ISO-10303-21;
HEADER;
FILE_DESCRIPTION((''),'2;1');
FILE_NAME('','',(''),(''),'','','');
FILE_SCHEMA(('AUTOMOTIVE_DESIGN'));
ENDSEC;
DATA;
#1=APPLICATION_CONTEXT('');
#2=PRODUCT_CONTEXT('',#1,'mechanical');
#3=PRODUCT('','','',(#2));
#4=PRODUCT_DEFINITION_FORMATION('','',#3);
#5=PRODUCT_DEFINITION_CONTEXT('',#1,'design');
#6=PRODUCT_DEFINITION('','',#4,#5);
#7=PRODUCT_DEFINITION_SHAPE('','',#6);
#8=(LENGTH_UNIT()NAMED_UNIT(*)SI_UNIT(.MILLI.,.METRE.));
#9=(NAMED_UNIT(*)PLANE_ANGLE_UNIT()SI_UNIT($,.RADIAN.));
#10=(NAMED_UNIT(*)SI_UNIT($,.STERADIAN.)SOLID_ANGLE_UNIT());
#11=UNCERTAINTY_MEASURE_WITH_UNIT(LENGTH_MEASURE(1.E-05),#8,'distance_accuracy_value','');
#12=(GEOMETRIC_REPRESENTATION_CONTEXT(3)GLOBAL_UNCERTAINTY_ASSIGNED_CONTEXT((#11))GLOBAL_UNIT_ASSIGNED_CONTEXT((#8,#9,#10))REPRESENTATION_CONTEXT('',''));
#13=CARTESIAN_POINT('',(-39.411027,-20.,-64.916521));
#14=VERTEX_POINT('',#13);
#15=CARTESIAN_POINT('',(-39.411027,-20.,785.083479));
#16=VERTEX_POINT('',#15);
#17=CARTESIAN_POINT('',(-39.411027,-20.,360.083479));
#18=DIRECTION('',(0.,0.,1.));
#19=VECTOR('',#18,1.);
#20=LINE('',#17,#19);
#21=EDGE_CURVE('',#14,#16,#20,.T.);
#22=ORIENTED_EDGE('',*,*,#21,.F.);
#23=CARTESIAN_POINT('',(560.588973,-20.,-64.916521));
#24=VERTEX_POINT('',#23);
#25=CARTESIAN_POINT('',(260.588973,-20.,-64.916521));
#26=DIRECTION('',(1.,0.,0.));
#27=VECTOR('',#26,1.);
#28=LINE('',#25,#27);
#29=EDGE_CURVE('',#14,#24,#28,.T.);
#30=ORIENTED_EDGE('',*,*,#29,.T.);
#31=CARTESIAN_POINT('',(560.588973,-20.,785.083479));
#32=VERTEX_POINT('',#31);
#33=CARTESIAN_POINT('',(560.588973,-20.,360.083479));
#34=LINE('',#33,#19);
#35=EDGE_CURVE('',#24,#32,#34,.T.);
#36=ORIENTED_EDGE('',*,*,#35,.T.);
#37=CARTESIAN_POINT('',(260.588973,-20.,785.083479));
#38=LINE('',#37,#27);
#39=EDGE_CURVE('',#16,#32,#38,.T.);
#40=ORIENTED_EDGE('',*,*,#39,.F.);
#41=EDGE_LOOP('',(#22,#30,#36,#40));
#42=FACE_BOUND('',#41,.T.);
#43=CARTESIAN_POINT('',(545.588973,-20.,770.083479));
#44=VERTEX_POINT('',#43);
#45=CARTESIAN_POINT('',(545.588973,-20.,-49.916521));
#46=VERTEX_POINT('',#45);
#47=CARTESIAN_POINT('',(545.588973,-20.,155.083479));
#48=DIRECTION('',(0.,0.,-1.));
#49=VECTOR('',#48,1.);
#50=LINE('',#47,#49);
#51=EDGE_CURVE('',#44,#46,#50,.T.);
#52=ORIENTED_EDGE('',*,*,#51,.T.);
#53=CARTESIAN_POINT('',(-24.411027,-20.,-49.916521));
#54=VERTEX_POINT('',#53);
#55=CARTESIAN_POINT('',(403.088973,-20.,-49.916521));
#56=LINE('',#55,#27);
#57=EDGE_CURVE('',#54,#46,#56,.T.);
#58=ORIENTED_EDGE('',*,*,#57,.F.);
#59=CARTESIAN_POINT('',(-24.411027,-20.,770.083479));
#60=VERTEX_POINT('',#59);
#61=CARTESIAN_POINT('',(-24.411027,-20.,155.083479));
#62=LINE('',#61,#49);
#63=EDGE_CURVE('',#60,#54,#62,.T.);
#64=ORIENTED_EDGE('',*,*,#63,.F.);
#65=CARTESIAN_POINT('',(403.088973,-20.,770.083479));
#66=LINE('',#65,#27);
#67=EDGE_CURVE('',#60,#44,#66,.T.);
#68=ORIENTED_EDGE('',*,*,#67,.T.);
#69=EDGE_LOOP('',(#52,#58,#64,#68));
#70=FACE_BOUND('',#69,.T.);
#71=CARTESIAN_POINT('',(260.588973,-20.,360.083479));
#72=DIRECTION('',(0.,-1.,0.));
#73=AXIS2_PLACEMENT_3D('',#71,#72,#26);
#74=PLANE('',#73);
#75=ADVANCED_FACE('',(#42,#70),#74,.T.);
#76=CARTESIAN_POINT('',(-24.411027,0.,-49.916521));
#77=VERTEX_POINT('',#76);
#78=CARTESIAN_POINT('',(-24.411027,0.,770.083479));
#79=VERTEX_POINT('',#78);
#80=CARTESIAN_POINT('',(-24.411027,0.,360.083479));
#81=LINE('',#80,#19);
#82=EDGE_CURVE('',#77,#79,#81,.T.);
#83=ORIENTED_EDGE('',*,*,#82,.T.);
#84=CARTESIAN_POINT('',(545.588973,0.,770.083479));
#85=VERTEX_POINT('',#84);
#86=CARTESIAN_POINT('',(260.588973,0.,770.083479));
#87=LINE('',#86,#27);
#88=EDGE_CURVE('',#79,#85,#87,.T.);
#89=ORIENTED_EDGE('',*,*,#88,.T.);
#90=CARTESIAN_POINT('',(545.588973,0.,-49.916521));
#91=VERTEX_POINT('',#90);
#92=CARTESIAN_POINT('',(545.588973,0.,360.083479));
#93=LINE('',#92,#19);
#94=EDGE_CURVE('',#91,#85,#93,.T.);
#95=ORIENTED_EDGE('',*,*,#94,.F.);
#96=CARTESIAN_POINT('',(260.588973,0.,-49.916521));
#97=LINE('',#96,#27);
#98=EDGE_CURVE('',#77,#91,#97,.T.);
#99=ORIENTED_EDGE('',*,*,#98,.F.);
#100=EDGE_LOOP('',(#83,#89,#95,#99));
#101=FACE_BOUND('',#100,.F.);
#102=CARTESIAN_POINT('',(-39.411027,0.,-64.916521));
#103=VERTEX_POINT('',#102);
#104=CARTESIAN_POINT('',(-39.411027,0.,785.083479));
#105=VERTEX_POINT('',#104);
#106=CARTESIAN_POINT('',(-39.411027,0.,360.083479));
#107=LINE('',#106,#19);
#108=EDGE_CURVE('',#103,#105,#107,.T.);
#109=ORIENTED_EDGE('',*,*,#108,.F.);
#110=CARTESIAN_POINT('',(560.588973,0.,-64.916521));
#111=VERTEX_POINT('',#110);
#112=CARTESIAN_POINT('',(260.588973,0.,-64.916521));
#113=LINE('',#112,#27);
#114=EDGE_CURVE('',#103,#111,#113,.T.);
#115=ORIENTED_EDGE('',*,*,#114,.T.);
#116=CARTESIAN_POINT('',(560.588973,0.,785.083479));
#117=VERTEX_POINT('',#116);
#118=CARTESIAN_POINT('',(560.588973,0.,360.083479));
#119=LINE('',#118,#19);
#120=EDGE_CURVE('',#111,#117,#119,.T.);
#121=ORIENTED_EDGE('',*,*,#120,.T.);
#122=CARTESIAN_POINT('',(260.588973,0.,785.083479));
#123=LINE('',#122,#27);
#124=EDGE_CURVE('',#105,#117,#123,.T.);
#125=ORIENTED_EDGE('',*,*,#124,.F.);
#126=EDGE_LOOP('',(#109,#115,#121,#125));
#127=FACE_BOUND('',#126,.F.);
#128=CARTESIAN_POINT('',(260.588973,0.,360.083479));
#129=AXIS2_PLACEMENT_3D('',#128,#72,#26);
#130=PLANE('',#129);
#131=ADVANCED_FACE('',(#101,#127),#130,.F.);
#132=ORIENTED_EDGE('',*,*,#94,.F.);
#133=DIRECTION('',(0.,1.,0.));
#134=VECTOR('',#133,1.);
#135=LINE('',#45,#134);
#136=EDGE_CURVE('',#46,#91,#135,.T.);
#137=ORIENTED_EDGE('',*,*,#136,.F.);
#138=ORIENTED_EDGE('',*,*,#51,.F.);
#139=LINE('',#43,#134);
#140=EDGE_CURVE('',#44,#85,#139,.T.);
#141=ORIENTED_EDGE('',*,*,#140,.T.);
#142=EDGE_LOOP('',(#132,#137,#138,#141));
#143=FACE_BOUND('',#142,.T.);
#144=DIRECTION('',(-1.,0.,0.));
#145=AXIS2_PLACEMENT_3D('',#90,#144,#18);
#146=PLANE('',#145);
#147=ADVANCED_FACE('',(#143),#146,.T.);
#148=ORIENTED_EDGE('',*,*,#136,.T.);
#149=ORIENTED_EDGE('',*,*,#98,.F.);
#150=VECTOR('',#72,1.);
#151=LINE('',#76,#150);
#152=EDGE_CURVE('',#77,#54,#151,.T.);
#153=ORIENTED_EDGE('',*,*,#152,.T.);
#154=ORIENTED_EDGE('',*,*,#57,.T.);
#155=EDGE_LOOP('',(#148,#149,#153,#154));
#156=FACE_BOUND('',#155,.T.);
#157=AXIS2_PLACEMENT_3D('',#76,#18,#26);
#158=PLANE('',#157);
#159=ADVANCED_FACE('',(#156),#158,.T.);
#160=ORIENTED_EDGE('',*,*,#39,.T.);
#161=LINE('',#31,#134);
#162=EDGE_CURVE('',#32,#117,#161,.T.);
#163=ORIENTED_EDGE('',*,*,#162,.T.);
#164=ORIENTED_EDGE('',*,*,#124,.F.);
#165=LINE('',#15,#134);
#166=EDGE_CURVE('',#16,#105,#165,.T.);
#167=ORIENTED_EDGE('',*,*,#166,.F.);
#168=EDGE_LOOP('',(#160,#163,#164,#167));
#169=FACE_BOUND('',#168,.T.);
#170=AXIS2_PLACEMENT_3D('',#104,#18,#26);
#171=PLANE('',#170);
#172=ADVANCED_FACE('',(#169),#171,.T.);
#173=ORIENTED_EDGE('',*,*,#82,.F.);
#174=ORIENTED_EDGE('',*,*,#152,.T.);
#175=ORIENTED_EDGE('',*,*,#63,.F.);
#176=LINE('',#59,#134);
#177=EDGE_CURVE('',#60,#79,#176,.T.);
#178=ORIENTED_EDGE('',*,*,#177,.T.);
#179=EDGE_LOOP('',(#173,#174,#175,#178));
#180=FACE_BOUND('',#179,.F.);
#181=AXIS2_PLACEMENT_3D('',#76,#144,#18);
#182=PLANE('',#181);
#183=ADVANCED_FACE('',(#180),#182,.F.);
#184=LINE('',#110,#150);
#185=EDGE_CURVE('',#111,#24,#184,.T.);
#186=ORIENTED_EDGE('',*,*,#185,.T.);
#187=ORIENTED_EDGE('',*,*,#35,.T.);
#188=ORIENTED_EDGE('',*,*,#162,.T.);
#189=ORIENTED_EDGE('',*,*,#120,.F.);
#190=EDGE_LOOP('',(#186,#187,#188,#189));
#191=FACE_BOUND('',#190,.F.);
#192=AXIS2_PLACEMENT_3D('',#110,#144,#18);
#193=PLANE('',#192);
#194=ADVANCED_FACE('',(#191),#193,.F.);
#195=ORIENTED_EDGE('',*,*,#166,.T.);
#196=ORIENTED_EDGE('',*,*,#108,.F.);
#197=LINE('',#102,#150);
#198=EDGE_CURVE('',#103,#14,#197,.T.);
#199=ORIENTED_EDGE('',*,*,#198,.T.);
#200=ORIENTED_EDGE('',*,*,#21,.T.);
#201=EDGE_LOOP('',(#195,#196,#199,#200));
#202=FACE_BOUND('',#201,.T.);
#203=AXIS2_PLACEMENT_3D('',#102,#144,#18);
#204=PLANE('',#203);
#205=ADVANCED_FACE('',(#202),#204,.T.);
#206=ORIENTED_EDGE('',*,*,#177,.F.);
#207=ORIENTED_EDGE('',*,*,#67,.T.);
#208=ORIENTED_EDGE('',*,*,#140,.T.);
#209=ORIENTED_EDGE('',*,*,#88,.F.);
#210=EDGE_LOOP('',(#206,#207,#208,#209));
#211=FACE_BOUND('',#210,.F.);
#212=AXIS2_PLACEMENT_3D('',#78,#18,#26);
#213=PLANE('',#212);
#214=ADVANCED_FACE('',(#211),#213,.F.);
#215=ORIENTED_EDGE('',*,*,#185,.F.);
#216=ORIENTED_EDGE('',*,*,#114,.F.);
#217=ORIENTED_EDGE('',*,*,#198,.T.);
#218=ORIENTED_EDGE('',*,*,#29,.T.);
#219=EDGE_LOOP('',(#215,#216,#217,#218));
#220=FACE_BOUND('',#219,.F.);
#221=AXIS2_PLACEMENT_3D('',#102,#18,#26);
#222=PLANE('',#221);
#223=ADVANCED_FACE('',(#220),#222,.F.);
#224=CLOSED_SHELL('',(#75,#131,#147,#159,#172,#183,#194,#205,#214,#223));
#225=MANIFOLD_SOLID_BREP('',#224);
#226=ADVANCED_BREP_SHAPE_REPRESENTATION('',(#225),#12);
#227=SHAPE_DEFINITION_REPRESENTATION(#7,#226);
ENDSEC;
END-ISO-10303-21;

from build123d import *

# Parameters (mm, degrees)
F0_W     = 600
F0_H     = 850
F0_W_2   = 570
F0_H_2   = 820
F1_DEPTH = 20
F2_W     = 600
F2_H     = 850
F3_DEPTH = 5
F4_W     = 570
F4_H     = 820
F5_DEPTH = 25


with BuildPart() as f1:
    # F0 (on Front) → F1 (new body)
    with BuildSketch(Plane.XZ):
        with Locations((260.588973, 360.083479)):
            Rectangle(F0_W, F0_H)
        with Locations((260.588973, 360.083479)):
            Rectangle(F0_W_2, F0_H_2, mode=Mode.SUBTRACT)
    extrude(amount=F1_DEPTH)

    # F2 (on face) → F3 (join)
    with BuildSketch(Plane.XZ.offset(20)):
        with Locations((260.588973, 360.083479)):
            Rectangle(F2_W, F2_H)
    extrude(amount=-F3_DEPTH)

    # F4 (on face) → F5 (cut)
    with BuildSketch(Plane(origin=(0, -15, 0), x_dir=(-1, 0, 0), z_dir=(0, 1, 0))):
        with Locations((-260.588973, 360.083479)):
            Rectangle(F4_W, F4_H)
    extrude(amount=-F5_DEPTH, mode=Mode.SUBTRACT)


solid = f1.part
